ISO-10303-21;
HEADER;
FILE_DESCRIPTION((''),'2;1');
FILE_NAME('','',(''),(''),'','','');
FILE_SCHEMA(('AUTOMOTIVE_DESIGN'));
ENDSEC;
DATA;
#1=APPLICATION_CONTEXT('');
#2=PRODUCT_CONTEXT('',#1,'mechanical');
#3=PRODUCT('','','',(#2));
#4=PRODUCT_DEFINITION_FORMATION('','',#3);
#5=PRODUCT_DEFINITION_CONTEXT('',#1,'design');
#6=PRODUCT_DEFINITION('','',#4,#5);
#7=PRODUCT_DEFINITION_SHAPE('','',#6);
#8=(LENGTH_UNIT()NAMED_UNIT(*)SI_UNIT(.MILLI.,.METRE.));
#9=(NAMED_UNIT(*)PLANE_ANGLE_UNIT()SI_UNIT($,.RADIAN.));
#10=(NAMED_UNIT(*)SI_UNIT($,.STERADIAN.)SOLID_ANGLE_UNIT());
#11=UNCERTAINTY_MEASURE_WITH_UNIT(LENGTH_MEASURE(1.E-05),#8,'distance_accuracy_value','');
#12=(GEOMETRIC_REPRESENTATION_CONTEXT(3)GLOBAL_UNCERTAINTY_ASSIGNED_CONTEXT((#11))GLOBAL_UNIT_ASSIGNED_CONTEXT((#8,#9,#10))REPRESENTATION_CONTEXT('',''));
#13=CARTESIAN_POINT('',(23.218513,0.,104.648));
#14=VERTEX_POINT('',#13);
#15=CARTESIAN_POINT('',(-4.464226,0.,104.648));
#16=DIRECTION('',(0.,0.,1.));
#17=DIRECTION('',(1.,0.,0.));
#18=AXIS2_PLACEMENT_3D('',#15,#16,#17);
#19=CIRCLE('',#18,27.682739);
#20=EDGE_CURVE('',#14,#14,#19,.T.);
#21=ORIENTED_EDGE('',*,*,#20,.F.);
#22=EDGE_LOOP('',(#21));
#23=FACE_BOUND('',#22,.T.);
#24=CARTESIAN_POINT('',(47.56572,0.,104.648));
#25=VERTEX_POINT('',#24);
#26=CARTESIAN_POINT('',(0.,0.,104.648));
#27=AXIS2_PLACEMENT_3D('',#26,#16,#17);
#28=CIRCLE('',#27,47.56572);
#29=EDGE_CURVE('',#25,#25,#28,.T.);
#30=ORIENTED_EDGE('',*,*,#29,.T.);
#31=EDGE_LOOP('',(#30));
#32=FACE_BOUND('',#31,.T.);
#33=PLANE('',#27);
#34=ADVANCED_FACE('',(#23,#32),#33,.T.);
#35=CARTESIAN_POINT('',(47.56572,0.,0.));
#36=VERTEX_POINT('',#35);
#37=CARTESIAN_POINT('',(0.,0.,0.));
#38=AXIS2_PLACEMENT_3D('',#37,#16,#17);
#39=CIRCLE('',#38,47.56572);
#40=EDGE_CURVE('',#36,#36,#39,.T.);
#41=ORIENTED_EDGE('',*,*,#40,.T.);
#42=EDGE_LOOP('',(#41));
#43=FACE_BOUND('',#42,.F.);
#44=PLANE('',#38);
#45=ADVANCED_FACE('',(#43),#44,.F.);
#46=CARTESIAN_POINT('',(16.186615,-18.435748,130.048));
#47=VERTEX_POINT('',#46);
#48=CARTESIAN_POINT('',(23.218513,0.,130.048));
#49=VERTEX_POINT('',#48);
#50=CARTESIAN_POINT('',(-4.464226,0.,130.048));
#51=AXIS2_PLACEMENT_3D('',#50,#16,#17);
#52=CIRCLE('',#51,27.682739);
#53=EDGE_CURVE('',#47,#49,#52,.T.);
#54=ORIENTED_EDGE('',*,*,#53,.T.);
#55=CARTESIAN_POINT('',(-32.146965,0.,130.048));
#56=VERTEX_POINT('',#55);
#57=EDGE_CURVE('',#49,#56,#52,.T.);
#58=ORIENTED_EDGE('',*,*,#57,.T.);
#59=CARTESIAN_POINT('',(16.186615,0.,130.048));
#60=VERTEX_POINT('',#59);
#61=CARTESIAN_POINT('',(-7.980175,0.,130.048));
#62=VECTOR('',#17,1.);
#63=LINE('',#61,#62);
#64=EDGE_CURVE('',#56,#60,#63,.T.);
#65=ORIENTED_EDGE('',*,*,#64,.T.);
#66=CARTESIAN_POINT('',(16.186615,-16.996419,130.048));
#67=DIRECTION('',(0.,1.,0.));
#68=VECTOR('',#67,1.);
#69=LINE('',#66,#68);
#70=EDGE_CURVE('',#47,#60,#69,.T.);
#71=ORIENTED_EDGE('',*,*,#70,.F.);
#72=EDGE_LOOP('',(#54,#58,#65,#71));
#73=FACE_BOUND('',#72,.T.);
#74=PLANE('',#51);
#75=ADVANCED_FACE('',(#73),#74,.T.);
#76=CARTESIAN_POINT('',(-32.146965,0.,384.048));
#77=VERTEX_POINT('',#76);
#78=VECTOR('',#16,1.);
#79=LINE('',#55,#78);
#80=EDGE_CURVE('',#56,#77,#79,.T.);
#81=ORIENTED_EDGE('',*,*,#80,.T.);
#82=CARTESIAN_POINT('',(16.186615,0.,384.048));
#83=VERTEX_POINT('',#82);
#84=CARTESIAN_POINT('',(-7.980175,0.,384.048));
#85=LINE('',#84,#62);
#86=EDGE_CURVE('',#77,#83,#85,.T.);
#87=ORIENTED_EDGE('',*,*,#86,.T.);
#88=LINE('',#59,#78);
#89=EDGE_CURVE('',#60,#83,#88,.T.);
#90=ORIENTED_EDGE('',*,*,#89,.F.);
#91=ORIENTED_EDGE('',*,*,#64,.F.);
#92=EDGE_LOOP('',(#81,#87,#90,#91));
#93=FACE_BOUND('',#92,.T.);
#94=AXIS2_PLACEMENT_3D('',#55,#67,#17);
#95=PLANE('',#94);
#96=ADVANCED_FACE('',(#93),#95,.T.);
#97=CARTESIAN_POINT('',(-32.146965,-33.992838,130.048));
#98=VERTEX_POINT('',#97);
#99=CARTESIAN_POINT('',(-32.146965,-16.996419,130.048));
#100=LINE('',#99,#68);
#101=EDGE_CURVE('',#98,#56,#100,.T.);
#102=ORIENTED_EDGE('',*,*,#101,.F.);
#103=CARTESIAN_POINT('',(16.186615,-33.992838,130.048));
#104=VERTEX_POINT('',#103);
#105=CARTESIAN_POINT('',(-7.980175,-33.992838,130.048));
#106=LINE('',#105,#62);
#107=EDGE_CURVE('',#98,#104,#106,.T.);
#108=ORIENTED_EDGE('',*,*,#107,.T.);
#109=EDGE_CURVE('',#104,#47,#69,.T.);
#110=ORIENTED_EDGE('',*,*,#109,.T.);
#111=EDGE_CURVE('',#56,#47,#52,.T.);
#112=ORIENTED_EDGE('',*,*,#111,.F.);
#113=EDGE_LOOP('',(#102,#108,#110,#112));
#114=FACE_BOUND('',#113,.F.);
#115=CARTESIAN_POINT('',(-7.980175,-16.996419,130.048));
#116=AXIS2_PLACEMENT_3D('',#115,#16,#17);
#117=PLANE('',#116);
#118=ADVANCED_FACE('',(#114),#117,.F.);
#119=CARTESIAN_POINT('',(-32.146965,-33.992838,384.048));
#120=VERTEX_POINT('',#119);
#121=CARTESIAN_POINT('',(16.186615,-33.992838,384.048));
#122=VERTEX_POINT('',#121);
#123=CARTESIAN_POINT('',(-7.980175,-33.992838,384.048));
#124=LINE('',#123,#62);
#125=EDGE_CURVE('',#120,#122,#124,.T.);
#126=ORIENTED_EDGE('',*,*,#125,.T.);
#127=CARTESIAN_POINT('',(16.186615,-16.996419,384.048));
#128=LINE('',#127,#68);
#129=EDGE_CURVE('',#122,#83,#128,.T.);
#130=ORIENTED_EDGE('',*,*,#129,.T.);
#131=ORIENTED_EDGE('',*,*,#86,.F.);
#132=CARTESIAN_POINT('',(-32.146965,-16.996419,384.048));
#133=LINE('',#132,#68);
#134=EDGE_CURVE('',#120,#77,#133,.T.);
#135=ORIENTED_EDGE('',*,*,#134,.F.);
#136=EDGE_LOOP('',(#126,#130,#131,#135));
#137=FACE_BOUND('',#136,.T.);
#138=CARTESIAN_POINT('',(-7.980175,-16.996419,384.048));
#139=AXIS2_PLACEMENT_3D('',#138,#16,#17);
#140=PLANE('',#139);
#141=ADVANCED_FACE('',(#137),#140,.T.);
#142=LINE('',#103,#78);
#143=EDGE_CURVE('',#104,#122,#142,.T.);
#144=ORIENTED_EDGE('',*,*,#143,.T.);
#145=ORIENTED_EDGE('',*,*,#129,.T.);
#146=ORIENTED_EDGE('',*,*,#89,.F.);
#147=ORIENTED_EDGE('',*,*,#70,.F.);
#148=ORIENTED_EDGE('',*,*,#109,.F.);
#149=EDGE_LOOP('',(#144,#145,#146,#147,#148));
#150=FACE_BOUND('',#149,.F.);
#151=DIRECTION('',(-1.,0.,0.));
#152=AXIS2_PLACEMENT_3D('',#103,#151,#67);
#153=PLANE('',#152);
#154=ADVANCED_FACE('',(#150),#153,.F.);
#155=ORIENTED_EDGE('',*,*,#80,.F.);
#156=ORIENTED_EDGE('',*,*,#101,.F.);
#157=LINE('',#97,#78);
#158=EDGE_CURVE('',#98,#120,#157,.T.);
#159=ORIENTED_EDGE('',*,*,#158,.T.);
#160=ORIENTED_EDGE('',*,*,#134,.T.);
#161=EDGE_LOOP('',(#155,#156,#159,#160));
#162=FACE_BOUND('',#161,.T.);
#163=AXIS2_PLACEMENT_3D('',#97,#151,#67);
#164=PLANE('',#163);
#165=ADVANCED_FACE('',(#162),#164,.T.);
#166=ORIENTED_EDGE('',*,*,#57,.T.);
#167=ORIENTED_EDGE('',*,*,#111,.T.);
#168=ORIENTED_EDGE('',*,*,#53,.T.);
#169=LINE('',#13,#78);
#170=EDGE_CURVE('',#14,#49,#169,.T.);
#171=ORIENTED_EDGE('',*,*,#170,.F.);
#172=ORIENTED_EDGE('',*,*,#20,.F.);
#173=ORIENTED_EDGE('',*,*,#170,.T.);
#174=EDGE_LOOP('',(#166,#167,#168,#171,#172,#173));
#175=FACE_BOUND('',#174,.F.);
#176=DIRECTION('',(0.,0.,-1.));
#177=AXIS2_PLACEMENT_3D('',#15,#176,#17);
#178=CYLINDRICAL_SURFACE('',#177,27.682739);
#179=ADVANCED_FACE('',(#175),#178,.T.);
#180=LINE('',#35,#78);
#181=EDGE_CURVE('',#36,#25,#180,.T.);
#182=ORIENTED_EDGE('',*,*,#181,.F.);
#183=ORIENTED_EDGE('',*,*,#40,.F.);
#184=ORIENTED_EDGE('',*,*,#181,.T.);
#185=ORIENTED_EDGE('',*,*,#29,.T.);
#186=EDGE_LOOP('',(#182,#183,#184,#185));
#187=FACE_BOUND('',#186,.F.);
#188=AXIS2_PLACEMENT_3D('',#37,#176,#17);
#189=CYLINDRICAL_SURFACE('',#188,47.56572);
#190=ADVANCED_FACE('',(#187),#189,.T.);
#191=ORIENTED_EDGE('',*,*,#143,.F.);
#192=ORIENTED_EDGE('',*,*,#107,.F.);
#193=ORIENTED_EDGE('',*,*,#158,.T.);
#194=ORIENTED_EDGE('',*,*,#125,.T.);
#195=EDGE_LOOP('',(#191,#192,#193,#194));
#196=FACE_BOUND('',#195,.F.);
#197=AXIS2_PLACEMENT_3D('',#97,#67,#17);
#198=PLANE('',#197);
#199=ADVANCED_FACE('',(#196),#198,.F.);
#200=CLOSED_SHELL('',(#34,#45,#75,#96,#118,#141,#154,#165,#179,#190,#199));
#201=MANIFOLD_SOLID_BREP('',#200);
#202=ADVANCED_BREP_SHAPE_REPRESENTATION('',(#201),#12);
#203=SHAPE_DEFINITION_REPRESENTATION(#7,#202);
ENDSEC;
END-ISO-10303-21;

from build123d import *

# Parameters (mm, degrees)
F0_R     = 47.56572
F1_DEPTH = 104.648
F2_R     = 27.682739
F3_DEPTH = 25.4
F4_W     = 48.33358
F4_H     = 33.992838
F5_DEPTH = 254


with BuildPart() as f1:
    # F0 (on Top) → F1 (new body)
    with BuildSketch(Plane.XY):
        Circle(F0_R)
    extrude(amount=F1_DEPTH)

    # F2 (on face) → F3 (join)
    with BuildSketch(Plane.XY.offset(104.648)):
        with Locations((-4.464226, 0)):
            Circle(F2_R)
    extrude(amount=F3_DEPTH)

    # F4 (on face) → F5 (join)
    with BuildSketch(Plane.XY.offset(130.048)):
        with Locations((-7.980175, -16.996419)):
            Rectangle(F4_W, F4_H)
    extrude(amount=F5_DEPTH)


solid = f1.part
